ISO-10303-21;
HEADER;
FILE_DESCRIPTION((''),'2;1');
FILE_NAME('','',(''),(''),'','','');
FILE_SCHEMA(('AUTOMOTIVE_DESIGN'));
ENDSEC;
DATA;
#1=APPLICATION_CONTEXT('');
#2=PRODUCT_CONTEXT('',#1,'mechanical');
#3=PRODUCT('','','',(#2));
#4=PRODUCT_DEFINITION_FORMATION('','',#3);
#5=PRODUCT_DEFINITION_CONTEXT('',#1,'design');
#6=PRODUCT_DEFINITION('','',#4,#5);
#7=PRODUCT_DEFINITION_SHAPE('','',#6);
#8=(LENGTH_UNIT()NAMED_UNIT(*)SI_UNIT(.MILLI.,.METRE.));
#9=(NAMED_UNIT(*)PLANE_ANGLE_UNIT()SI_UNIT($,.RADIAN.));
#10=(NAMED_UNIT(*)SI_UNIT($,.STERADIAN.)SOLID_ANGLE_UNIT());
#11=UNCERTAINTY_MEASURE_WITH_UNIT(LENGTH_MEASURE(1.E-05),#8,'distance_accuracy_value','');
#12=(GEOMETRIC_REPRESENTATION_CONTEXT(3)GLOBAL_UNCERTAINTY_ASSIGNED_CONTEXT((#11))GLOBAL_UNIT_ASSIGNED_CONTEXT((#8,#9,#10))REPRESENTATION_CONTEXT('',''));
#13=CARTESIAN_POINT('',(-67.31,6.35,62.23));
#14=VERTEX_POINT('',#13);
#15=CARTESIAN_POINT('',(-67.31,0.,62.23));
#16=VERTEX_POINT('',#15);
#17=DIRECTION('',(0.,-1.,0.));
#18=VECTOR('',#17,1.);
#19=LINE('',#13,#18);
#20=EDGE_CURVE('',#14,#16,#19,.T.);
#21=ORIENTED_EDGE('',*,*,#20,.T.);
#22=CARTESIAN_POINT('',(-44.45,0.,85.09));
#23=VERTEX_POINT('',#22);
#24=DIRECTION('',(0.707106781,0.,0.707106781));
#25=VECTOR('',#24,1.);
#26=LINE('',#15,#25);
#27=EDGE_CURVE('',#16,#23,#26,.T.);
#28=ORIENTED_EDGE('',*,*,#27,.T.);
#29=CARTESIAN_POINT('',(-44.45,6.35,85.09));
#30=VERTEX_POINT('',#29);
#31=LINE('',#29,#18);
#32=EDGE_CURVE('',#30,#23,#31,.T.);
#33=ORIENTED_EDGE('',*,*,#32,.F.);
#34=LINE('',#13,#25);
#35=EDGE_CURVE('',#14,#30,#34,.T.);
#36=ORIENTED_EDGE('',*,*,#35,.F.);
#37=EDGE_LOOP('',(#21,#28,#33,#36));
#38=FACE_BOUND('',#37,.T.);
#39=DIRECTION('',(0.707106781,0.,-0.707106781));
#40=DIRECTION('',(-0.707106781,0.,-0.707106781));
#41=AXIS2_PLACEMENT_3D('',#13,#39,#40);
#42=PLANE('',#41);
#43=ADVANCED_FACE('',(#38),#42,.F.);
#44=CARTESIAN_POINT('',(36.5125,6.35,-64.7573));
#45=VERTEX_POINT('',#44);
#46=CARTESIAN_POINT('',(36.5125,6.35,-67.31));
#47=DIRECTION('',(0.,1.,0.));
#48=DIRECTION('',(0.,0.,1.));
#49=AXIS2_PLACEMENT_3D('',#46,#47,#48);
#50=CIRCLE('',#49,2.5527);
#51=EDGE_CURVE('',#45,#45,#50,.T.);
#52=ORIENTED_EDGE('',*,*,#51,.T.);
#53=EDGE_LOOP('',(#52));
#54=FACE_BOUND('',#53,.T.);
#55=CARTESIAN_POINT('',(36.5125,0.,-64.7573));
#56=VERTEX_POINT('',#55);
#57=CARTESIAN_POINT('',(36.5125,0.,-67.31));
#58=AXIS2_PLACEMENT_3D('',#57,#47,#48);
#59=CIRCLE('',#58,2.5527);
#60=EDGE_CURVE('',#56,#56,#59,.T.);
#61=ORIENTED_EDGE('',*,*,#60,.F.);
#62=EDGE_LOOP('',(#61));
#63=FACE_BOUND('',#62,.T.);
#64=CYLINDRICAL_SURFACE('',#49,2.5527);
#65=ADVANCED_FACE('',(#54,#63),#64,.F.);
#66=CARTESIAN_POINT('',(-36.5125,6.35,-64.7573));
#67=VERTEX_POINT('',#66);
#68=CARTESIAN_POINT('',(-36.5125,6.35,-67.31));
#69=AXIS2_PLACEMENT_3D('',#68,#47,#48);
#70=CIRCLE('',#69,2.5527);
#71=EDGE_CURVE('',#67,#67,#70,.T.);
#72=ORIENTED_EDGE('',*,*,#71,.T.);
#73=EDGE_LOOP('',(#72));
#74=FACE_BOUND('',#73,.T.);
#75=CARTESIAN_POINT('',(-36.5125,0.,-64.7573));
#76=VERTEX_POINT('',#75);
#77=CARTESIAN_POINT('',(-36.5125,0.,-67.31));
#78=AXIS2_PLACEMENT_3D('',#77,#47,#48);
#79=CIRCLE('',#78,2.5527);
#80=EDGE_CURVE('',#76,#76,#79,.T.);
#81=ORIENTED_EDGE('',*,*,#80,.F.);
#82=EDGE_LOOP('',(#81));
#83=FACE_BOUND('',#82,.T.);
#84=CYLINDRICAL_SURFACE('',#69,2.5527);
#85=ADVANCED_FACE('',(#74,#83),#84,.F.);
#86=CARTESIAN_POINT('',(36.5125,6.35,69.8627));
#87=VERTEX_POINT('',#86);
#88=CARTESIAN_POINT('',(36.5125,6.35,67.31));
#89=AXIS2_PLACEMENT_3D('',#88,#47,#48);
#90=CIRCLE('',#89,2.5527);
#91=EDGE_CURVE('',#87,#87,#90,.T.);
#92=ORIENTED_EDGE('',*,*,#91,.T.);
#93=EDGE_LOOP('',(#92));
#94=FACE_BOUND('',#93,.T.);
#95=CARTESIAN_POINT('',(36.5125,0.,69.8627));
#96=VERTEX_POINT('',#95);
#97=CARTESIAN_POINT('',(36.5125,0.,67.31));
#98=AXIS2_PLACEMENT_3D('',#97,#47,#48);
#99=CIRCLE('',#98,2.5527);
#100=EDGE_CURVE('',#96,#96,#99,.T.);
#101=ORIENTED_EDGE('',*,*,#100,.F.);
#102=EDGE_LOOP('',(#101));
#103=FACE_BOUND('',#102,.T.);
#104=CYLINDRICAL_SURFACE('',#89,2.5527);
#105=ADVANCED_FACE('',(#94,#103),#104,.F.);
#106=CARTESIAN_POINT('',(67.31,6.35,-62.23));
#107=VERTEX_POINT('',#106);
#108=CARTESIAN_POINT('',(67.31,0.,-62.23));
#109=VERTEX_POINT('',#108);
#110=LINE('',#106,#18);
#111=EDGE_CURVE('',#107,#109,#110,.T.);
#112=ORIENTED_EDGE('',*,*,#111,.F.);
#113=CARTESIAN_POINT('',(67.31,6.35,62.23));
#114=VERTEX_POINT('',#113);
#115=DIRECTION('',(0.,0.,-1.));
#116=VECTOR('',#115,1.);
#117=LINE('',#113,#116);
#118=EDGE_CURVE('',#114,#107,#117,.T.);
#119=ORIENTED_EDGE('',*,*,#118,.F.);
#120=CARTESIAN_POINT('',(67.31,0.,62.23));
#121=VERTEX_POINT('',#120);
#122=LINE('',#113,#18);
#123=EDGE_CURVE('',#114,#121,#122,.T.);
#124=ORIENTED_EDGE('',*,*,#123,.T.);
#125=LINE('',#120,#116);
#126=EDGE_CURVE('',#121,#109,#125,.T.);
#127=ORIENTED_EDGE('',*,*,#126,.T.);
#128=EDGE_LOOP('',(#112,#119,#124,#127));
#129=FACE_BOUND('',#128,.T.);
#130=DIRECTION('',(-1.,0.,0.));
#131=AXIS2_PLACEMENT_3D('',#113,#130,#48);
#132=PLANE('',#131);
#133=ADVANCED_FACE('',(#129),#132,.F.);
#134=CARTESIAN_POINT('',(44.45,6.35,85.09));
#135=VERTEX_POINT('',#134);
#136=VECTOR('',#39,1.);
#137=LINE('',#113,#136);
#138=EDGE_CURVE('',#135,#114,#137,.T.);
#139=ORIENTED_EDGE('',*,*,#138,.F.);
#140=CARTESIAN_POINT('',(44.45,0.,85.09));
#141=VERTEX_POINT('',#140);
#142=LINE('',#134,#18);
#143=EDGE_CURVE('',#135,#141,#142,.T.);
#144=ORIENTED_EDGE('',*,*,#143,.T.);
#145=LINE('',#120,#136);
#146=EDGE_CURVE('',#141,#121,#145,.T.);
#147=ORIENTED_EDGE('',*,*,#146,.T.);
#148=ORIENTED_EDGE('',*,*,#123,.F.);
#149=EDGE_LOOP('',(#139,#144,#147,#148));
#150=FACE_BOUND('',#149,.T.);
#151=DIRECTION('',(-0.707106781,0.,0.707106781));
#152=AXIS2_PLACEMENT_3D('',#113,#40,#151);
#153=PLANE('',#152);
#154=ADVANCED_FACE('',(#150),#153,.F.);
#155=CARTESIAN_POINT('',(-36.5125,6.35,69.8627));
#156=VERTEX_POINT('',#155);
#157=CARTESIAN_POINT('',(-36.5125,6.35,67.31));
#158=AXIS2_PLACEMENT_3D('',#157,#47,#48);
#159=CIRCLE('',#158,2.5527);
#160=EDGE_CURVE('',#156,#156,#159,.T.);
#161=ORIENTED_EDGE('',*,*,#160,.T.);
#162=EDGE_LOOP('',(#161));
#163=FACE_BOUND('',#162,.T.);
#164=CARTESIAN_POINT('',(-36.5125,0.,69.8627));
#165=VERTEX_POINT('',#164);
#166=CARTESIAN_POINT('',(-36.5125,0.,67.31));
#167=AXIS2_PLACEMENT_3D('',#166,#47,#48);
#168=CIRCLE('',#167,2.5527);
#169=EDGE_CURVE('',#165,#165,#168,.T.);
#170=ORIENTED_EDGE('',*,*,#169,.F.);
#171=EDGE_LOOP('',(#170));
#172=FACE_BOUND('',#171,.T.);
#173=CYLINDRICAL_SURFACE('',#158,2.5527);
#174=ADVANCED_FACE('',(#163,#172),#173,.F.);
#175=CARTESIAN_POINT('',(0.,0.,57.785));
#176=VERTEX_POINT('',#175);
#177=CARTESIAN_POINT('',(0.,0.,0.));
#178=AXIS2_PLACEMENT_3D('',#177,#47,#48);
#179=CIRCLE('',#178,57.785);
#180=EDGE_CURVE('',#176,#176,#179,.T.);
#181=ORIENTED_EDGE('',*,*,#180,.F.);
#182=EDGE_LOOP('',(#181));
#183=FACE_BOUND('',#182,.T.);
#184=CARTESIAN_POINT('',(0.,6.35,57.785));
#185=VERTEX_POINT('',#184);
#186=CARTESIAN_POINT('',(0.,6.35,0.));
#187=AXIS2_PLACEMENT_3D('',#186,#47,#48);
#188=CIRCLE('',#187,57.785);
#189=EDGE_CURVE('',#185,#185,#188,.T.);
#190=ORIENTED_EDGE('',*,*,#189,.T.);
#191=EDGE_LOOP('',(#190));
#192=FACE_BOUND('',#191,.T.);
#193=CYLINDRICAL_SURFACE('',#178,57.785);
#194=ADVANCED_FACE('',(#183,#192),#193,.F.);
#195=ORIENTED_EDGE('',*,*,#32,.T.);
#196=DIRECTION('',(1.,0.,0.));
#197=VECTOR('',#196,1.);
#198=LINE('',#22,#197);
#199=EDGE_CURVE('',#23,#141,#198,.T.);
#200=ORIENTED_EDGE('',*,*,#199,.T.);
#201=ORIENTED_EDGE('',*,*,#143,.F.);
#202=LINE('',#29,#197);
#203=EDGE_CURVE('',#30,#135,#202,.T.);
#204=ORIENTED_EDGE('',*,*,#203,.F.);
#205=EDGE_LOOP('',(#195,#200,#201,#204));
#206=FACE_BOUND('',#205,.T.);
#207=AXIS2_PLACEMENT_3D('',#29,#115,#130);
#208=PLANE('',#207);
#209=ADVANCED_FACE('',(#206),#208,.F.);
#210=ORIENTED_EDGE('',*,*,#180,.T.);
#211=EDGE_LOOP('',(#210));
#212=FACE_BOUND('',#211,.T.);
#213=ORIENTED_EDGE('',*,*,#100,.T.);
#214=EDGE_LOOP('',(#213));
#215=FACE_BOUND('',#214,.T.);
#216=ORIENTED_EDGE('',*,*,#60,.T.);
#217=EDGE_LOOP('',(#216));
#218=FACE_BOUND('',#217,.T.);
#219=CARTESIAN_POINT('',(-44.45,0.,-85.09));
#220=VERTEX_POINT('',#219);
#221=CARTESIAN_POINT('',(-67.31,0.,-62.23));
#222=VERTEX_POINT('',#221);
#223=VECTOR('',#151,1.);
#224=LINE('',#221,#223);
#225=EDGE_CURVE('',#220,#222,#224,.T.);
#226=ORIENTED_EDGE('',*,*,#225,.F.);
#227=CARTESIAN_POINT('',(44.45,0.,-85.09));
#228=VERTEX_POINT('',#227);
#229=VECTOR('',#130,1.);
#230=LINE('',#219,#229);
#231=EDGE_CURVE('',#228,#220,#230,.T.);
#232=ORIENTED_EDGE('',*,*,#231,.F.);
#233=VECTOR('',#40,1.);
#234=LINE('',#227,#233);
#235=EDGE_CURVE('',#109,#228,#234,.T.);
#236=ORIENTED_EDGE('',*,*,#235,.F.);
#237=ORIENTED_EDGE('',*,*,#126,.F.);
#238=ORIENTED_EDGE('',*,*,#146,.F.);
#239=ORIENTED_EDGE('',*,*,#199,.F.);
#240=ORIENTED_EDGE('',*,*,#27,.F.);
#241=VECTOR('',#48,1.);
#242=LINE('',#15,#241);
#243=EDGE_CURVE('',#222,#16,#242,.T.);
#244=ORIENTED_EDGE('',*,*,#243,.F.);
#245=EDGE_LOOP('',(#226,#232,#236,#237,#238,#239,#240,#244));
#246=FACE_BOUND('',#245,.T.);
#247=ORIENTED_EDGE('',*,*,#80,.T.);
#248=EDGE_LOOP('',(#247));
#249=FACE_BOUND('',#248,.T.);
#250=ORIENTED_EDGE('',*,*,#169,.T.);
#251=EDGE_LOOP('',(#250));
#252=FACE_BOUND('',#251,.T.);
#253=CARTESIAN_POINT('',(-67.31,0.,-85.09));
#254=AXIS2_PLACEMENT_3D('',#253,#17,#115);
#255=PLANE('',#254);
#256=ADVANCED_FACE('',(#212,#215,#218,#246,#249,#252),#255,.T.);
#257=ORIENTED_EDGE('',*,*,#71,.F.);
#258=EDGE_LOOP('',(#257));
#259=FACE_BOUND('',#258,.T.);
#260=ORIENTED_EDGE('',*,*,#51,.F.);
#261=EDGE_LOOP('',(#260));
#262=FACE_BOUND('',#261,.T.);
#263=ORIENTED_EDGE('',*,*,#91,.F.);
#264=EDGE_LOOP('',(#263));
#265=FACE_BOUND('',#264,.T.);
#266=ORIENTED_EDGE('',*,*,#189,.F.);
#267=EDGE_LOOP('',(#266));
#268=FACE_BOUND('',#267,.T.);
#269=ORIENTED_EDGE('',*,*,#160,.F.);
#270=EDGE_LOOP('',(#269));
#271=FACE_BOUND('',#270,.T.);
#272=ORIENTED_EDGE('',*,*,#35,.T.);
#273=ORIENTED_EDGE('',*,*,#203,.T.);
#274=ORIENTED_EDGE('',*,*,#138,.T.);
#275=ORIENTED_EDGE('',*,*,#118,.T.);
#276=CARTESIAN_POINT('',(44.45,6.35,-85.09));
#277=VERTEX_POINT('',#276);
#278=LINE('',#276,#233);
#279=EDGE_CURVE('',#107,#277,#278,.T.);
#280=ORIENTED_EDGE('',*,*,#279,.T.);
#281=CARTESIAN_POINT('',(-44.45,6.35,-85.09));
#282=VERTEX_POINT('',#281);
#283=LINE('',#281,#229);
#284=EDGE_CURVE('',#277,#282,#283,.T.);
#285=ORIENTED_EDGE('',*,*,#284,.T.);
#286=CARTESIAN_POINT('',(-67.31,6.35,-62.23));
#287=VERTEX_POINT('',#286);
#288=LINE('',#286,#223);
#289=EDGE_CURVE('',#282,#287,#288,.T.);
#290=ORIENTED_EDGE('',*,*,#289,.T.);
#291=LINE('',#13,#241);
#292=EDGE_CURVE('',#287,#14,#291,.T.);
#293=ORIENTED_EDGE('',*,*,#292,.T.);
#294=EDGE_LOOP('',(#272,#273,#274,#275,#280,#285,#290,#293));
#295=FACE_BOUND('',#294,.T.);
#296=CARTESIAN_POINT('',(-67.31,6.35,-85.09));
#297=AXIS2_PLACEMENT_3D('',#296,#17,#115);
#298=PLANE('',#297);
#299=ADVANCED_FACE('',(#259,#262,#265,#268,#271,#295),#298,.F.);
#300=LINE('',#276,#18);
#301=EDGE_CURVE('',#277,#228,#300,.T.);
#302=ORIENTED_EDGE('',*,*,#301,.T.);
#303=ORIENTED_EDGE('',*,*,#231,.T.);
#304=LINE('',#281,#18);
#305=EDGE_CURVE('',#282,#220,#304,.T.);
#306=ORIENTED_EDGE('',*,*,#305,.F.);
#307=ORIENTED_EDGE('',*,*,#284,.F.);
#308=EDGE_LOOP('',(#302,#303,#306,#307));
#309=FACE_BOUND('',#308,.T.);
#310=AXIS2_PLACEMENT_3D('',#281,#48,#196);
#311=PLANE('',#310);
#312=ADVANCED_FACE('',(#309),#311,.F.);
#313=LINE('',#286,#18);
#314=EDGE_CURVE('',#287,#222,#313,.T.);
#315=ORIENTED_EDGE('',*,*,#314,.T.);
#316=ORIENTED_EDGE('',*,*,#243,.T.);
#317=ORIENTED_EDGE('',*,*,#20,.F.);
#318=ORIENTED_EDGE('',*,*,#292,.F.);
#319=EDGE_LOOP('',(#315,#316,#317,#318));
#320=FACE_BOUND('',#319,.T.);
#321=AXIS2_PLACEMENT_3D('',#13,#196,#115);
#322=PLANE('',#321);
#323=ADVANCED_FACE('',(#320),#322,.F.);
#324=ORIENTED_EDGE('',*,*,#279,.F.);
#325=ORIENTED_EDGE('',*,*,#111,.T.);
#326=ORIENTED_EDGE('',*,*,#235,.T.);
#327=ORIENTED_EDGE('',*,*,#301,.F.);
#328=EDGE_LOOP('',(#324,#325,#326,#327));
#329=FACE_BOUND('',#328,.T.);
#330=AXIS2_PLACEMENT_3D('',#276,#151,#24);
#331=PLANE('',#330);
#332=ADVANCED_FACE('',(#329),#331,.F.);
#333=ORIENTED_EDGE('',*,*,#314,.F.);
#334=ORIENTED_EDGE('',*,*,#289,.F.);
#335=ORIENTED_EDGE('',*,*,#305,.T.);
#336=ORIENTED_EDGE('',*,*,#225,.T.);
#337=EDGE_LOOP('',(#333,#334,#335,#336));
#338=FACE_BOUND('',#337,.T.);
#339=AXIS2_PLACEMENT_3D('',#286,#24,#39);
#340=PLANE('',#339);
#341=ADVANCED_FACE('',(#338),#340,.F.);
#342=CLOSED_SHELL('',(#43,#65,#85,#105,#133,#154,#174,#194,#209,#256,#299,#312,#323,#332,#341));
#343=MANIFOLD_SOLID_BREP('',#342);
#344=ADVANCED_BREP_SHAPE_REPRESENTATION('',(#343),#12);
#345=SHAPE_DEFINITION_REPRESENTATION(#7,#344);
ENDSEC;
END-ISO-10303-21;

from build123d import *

# Parameters (mm, degrees)
BOSS_EXTRUDE1_DEPTH    = 6.35
F_10_CLEARANCE_HOLE1_D = 5.1054
CIRPATTERN1_COUNT      = 2
SKETCH4_R              = 57.785
CUT_EXTRUDE1_DEPTH     = 109.679651729


with BuildPart() as part:
    # Sketch1 → Boss-Extrude1 (new body)
    with BuildSketch(Plane(origin=(0, 0, 0), x_dir=(1, 0, 0), z_dir=(0, 1, 0))):
        Polygon((-67.31, 62.23), (-44.45, 85.09), (44.45, 85.09), (67.31, 62.23), (67.31, -62.23), (44.45, -85.09), (-44.45, -85.09), (-67.31, -62.23), align=None)
    extrude(amount=BOSS_EXTRUDE1_DEPTH)

    # #10 Clearance Hole1 (through all)
    with Locations(Plane(origin=(0, 6.35, 0), x_dir=(-1, 0, 0), z_dir=(0, 1, 0))):
        with Locations((36.5125, -67.31), (-36.5125, -67.31)):
            f_10_clearance_hole1 = Hole(F_10_CLEARANCE_HOLE1_D / 2)

    # CirPattern1: #10 Clearance Hole1 ×2 about axis
    cirpattern1_axis = Axis((0, 0, 0), (0, 1, 0))
    for i in range(1, CIRPATTERN1_COUNT):
        add(f_10_clearance_hole1.rotate(cirpattern1_axis, i * 360 / CIRPATTERN1_COUNT), mode=Mode.SUBTRACT)

    # Sketch4 → Cut-Extrude1 (cut, through all)
    with BuildSketch(Plane(origin=(0, 6.35, 0), x_dir=(1, 0, 0), z_dir=(0, 1, 0))):
        Circle(SKETCH4_R)
    extrude(amount=-CUT_EXTRUDE1_DEPTH, mode=Mode.SUBTRACT)


solid = part.part
